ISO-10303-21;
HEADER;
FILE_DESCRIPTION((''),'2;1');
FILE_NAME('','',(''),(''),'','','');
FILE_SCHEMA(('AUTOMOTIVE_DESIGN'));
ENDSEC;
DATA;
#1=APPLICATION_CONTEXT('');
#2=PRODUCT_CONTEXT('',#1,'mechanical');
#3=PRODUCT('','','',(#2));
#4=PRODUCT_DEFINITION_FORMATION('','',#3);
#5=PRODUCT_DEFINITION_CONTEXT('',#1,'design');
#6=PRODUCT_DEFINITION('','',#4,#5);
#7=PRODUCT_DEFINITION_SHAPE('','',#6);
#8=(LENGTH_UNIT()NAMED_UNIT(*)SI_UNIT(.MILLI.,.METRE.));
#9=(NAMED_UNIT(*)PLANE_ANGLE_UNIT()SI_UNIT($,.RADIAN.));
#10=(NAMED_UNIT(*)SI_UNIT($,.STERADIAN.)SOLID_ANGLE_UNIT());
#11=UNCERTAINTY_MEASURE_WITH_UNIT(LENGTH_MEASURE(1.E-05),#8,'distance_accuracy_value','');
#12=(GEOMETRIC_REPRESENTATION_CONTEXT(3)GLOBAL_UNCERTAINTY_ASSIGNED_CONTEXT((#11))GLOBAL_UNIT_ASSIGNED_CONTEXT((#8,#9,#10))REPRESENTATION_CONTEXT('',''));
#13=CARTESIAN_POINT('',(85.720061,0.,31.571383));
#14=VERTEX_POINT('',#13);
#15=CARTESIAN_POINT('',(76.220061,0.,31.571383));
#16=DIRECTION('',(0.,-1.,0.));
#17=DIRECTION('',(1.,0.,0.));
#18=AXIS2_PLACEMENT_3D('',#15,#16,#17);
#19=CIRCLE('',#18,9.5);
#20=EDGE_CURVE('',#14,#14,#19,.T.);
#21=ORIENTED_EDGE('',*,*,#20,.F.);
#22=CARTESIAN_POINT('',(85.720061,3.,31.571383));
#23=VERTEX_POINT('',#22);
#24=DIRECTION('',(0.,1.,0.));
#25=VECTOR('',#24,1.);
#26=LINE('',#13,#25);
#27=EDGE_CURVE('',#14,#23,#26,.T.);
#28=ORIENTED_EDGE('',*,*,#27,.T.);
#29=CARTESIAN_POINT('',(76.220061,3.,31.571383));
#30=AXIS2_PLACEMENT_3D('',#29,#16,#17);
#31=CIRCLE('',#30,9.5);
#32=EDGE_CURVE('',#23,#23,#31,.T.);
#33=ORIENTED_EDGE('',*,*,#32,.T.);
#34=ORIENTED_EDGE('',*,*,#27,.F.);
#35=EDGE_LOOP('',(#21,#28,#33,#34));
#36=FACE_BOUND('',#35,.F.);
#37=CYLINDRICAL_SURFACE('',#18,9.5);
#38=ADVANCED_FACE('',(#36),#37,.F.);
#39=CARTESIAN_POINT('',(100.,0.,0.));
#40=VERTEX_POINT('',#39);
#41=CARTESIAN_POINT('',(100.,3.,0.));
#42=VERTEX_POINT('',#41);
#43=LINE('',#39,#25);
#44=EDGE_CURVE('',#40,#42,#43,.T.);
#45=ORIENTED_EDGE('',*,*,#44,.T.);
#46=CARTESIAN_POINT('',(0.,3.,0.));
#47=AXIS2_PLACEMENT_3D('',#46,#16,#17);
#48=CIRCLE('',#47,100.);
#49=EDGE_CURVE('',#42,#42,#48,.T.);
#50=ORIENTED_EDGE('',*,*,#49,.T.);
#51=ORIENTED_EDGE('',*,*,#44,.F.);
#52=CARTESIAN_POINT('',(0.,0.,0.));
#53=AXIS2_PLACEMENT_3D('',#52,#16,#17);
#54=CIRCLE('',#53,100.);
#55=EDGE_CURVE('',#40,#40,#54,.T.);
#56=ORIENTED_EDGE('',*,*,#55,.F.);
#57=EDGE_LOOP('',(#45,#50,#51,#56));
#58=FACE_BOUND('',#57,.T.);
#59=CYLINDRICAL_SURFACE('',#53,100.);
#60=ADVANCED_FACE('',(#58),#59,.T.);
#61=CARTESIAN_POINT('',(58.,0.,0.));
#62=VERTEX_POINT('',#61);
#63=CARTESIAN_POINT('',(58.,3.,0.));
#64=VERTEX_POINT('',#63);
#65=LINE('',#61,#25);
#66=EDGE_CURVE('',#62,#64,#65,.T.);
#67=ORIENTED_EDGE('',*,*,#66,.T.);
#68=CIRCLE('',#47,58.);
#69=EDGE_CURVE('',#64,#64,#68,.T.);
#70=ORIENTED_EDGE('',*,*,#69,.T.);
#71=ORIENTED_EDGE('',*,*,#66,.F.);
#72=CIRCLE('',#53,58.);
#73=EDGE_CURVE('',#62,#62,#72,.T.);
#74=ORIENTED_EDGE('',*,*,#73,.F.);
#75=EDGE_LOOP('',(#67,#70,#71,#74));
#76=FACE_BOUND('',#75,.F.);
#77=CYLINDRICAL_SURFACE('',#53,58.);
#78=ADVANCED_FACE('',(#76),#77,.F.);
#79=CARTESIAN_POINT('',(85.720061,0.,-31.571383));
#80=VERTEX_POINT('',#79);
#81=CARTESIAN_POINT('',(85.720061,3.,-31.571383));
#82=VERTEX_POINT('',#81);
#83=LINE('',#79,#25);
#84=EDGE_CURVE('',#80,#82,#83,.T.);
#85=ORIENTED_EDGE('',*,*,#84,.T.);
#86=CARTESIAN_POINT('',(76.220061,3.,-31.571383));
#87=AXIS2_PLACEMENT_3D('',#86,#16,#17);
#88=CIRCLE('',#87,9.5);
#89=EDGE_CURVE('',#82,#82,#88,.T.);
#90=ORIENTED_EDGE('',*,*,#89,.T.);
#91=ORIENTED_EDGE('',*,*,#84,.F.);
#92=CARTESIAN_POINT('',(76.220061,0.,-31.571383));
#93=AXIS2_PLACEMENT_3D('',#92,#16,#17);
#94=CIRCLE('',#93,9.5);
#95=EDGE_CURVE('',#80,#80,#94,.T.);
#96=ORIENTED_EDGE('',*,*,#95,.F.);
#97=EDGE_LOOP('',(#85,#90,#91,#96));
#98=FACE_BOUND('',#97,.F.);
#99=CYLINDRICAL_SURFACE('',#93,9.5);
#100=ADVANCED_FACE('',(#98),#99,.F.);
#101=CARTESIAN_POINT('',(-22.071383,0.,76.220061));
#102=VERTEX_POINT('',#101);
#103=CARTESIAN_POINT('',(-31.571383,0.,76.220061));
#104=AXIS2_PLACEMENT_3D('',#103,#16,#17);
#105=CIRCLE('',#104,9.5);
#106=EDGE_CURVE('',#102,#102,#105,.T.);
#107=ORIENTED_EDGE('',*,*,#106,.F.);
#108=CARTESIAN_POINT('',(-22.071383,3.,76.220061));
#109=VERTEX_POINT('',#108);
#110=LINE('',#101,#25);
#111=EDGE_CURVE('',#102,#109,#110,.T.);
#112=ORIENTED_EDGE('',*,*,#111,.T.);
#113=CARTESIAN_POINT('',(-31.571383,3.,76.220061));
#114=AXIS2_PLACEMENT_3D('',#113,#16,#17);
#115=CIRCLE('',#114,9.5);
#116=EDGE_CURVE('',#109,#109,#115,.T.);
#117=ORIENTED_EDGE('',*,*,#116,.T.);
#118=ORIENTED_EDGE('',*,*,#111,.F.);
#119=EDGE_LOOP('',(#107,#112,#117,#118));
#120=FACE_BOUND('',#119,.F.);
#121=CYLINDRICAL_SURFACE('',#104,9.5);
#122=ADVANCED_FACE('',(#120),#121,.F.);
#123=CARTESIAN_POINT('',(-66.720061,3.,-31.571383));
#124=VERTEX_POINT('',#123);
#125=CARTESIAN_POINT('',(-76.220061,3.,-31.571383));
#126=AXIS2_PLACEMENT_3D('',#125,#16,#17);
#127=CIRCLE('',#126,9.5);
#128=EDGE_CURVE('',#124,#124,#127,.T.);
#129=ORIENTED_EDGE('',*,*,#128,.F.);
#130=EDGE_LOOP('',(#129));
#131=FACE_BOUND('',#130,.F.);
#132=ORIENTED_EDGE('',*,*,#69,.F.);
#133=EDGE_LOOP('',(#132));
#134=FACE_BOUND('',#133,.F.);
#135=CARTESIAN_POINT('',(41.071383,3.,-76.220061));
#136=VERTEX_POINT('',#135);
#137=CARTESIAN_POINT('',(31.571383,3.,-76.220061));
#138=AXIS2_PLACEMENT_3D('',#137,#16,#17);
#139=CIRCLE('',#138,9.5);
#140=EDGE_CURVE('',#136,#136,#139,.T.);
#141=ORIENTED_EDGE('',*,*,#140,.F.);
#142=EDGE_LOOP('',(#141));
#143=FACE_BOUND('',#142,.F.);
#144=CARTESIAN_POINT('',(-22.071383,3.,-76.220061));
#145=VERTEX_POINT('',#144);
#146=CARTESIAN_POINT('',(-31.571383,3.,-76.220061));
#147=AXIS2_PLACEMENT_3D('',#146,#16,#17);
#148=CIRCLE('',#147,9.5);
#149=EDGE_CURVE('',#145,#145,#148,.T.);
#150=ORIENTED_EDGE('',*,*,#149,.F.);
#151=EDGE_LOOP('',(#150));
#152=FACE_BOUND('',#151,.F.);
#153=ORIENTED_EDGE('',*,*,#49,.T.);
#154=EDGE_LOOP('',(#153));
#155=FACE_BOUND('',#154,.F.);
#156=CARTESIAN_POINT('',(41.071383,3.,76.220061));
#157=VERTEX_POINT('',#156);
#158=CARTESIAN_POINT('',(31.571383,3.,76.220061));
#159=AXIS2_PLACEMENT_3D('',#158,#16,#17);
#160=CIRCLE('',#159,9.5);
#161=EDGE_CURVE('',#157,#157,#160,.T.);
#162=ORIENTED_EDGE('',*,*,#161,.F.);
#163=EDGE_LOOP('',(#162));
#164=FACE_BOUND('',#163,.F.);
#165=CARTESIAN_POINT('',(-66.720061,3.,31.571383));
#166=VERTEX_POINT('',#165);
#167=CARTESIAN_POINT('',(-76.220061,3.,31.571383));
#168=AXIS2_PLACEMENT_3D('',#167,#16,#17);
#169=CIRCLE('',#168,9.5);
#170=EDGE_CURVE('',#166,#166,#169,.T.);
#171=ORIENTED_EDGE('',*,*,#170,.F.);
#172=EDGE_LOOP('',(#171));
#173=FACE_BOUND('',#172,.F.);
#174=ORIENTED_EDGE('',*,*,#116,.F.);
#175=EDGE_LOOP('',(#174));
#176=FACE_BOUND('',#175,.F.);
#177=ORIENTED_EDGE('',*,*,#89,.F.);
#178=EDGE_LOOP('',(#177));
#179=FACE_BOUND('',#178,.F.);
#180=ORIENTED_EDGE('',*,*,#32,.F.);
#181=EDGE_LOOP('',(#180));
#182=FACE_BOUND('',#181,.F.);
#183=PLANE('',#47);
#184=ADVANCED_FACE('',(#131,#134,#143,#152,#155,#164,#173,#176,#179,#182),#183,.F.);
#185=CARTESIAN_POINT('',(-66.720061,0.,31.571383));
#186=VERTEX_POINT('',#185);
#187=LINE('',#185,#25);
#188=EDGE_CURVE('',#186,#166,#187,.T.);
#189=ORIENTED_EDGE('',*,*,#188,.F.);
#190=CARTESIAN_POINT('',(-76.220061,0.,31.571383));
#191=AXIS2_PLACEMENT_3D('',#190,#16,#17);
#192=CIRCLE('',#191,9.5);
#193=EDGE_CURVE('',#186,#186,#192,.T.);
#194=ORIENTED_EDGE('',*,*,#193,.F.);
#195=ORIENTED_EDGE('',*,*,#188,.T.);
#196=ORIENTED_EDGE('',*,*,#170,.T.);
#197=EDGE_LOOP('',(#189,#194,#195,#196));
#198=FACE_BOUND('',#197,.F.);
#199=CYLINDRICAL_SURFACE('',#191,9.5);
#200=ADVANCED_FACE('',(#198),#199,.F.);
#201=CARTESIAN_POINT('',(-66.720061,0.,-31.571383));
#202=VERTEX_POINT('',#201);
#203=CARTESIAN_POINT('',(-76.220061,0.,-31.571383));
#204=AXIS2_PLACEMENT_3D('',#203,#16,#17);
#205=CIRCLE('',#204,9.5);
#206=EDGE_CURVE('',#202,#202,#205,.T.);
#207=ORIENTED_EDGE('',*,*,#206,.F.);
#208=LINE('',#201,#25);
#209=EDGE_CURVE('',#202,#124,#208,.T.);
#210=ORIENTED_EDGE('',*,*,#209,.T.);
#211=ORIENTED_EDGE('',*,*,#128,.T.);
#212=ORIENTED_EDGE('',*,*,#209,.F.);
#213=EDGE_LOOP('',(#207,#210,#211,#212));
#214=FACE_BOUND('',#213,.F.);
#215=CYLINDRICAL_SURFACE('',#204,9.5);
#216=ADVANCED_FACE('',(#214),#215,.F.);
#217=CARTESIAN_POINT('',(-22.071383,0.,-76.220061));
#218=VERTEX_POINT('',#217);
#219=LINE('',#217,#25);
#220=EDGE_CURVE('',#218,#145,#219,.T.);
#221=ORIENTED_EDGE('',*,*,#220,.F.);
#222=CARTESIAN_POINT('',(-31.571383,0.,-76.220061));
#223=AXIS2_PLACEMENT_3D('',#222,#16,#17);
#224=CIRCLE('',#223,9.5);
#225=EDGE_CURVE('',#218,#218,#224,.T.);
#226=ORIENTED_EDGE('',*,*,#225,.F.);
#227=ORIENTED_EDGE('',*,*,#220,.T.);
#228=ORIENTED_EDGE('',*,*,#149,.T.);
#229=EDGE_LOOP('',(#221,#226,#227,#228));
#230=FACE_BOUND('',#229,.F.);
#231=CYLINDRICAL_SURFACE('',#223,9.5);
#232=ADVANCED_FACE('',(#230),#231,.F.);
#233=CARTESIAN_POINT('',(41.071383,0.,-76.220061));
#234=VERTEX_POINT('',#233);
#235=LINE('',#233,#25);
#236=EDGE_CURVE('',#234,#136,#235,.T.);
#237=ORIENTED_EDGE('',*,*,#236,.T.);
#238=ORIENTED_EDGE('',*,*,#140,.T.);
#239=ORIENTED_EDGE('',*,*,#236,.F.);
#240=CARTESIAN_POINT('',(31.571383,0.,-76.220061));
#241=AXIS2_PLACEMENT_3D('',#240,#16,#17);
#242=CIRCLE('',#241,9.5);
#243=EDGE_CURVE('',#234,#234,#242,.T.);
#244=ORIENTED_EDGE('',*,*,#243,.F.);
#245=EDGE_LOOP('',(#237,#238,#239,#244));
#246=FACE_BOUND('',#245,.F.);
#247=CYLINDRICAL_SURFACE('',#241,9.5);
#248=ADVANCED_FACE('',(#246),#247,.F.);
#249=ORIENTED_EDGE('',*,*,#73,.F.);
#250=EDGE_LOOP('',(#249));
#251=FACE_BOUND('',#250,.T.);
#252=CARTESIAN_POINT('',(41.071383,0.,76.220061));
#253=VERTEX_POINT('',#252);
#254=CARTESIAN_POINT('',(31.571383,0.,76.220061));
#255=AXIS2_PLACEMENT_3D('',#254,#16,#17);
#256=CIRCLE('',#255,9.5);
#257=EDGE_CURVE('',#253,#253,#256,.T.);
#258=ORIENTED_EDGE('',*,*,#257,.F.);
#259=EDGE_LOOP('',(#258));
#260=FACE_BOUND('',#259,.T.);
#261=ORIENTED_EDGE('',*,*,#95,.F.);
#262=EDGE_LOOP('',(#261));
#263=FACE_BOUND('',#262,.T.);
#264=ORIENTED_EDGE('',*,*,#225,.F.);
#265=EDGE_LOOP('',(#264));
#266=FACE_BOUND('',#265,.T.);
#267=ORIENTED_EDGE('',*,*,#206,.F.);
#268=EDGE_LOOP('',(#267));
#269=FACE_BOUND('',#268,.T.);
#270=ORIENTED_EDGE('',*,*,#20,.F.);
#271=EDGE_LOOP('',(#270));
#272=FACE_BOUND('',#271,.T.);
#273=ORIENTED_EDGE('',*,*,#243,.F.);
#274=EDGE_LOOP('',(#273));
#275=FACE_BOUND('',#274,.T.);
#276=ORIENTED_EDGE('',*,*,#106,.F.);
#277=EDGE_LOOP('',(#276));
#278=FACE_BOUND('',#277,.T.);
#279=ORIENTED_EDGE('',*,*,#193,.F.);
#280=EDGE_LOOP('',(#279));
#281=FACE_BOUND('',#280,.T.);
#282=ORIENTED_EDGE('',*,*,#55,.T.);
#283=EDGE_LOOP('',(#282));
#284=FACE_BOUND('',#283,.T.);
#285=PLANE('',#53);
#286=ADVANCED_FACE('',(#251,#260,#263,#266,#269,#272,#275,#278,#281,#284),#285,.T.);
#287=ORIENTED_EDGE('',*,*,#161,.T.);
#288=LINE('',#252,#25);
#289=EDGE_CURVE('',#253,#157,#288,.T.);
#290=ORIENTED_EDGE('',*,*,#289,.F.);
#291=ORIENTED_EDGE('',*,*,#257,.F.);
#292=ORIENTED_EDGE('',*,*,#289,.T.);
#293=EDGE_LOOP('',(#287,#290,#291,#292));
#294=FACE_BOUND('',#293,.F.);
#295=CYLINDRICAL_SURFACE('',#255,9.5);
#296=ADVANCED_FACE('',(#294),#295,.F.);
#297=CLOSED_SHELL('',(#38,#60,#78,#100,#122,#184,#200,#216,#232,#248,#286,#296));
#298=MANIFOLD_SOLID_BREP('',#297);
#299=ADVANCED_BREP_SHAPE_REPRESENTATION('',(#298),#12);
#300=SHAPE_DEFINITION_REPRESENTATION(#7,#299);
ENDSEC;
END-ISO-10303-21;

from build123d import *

# Parameters (mm, degrees)
F0_R     = 100
F0_R_2   = 9.5
F0_R_3   = 58
F1_DEPTH = 3


with BuildPart() as f1:
    # F0 (on Front) → F1 (new body)
    with BuildSketch(Plane.XZ):
        Circle(F0_R)
        with Locations((-31.571383, -76.220061)):
            Circle(F0_R_2, mode=Mode.SUBTRACT)
        with Locations((-76.220061, -31.571383)):
            Circle(F0_R_2, mode=Mode.SUBTRACT)
        with Locations((31.571383, -76.220061)):
            Circle(F0_R_2, mode=Mode.SUBTRACT)
        with Locations((76.220061, -31.571383)):
            Circle(F0_R_2, mode=Mode.SUBTRACT)
        with Locations((-76.220061, 31.571383)):
            Circle(F0_R_2, mode=Mode.SUBTRACT)
        with Locations((-31.571383, 76.220061)):
            Circle(F0_R_2, mode=Mode.SUBTRACT)
        Circle(F0_R_3, mode=Mode.SUBTRACT)
        with Locations((76.220061, 31.571383)):
            Circle(F0_R_2, mode=Mode.SUBTRACT)
        with Locations((31.571383, 76.220061)):
            Circle(F0_R_2, mode=Mode.SUBTRACT)
    extrude(amount=-F1_DEPTH)


solid = f1.part
